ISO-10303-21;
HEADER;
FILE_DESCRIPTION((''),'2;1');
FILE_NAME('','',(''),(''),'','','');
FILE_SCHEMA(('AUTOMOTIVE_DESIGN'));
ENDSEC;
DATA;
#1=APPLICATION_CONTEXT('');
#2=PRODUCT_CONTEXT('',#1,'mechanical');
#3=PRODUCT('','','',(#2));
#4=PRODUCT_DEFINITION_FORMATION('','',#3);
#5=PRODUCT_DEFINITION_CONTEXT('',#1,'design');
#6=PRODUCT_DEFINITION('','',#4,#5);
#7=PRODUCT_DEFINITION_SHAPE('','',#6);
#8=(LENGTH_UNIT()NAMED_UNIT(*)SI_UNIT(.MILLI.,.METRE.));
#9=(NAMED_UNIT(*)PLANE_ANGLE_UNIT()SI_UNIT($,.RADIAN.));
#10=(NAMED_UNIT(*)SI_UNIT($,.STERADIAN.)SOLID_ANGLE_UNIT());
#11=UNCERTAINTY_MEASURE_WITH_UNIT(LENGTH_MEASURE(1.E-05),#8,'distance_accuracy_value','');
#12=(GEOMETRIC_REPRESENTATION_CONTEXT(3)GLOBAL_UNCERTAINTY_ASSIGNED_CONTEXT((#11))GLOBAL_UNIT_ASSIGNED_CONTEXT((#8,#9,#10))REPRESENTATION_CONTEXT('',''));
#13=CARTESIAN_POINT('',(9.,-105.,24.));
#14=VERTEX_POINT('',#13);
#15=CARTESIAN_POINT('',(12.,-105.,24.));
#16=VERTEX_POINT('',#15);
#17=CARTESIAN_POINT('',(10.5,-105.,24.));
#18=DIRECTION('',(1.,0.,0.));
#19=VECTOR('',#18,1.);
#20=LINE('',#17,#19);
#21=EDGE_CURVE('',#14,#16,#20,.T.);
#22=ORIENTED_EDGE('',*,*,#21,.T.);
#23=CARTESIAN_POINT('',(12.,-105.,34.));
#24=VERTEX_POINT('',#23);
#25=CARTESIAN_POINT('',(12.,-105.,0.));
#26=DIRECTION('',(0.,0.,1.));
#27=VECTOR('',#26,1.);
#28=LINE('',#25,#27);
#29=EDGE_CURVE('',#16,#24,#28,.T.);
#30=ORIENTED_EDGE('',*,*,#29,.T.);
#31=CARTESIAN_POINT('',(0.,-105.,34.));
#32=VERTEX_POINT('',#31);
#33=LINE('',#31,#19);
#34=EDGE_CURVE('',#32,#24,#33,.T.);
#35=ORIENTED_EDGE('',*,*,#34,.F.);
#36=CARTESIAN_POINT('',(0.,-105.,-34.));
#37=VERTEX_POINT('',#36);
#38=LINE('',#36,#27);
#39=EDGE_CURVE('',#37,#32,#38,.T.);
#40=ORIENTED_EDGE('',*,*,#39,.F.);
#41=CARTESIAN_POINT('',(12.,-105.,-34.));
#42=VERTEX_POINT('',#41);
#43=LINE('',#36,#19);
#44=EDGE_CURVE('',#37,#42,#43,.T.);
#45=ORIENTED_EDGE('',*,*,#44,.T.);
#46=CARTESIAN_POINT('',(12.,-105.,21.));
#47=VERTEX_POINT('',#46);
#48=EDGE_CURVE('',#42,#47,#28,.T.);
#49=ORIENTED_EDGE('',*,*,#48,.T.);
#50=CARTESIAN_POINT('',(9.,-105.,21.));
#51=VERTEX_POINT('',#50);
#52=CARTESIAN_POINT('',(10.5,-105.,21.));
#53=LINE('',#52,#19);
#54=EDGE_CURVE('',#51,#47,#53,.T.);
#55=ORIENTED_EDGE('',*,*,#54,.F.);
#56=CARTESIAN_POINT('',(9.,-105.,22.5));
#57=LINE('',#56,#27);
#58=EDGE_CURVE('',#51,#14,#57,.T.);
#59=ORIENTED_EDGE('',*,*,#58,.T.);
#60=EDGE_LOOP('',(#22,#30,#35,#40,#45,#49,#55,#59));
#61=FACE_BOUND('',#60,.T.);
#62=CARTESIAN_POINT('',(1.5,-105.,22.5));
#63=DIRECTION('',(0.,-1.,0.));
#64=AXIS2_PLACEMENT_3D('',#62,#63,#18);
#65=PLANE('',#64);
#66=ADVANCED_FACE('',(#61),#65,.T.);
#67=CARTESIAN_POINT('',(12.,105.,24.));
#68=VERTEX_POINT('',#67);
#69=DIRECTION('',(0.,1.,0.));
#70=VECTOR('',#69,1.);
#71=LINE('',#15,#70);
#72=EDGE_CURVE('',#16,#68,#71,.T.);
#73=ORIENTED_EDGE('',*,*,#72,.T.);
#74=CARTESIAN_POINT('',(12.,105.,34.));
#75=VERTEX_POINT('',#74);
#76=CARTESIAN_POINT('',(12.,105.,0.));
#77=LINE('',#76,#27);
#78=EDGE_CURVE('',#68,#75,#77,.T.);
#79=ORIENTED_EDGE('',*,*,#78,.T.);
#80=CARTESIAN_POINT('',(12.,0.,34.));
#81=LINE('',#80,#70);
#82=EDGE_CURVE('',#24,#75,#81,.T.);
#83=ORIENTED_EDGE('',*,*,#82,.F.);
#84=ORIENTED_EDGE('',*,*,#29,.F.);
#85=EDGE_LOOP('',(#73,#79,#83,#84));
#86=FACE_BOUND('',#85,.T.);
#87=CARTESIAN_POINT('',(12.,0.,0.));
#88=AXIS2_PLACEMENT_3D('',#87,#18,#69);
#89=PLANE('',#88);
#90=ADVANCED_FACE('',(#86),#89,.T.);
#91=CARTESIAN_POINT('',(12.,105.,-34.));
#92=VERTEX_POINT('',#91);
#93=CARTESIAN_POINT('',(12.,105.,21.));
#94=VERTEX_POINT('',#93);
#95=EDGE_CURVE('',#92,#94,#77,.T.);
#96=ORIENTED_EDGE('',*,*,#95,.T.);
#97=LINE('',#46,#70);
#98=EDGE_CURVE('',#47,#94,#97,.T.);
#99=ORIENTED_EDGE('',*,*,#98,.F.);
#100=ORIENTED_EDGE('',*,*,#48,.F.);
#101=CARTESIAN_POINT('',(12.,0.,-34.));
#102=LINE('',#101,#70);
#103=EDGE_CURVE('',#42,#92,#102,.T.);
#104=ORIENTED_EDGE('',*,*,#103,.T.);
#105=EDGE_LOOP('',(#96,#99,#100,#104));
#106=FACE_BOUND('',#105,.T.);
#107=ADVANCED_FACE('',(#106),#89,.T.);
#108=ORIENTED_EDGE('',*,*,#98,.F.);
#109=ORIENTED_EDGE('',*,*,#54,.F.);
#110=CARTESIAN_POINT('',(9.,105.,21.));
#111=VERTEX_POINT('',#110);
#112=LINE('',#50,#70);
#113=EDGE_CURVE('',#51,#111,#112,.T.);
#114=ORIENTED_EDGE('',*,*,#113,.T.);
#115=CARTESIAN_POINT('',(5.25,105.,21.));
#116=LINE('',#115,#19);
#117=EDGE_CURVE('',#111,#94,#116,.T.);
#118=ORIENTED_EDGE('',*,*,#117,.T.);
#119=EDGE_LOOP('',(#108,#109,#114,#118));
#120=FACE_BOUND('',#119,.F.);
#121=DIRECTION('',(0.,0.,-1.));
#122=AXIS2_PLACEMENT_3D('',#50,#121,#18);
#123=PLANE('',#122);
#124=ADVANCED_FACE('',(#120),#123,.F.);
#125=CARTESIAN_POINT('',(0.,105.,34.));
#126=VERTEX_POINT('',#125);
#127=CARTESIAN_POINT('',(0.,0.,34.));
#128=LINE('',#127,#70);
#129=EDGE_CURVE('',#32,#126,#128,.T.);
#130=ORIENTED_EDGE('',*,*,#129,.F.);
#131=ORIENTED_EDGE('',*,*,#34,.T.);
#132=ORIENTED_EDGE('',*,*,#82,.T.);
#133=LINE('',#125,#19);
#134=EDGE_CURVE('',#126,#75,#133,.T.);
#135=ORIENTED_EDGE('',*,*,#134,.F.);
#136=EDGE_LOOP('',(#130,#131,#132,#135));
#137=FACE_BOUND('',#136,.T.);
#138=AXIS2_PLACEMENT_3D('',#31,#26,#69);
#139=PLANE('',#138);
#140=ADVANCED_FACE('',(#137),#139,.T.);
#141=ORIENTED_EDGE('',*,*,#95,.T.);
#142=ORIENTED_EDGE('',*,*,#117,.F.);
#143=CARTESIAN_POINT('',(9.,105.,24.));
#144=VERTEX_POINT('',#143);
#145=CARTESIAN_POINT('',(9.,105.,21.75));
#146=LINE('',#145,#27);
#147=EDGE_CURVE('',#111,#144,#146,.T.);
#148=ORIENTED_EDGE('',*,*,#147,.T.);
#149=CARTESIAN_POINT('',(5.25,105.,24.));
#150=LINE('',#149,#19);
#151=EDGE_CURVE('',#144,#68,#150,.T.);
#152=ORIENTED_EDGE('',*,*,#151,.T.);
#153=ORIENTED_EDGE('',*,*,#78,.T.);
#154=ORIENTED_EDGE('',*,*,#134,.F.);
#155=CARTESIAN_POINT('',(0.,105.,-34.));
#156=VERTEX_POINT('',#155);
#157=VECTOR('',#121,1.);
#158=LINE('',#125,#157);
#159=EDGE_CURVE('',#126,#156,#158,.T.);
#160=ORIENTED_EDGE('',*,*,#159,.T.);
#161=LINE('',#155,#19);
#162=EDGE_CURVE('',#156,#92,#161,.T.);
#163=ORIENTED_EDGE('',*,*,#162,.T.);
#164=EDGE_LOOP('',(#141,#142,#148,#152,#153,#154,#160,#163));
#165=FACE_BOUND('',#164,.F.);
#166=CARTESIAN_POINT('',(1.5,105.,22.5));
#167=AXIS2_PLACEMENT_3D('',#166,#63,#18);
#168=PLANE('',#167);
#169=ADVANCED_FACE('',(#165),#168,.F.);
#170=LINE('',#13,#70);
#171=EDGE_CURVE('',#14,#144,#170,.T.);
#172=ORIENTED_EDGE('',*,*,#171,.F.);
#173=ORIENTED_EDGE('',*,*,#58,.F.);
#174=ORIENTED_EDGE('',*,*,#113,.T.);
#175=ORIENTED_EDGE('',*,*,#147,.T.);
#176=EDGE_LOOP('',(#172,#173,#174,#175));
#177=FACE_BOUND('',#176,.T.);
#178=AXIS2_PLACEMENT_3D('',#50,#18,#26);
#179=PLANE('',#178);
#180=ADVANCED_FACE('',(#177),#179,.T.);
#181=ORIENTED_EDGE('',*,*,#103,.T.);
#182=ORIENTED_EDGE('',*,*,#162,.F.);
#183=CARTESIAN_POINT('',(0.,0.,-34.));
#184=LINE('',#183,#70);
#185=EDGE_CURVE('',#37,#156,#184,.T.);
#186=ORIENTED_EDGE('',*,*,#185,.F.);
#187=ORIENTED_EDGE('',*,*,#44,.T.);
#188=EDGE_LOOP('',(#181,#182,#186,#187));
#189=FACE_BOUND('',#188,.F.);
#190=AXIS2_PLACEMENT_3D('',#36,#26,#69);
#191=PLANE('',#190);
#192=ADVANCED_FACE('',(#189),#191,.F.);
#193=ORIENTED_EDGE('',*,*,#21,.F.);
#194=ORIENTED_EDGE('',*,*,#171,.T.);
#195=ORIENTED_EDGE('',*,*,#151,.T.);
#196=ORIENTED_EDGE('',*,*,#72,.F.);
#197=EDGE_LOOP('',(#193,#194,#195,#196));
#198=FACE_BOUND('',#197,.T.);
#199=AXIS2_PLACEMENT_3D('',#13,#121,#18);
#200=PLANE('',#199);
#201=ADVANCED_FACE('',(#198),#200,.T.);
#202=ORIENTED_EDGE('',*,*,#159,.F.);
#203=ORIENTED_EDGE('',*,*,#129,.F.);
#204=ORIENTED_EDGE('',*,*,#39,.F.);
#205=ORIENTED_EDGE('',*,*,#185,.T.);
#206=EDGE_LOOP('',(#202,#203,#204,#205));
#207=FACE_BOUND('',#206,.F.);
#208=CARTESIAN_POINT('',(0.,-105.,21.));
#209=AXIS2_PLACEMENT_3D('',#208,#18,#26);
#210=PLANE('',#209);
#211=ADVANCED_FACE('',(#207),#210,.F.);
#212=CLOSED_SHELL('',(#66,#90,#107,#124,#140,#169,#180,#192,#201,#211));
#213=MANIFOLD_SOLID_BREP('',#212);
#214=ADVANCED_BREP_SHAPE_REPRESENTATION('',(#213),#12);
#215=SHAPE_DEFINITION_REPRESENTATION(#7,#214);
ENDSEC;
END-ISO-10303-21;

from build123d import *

# Parameters (mm, degrees)
F0_W     = 210
F0_H     = 68
F1_DEPTH = 12
F2_W     = 3
F2_H     = 3
F3_DEPTH = 222000
F4_W     = 3
F4_H     = 3
F5_DEPTH = 210
F6_W     = 3
F6_H     = 3
F7_DEPTH = 300


with BuildPart() as f1:
    # F0 (on Right) → F1 (new body)
    with BuildSketch(Plane.YZ):
        Rectangle(F0_W, F0_H)
    extrude(amount=F1_DEPTH)

    # F2 (on face) → F3 (cut)
    with BuildSketch(Plane.XZ.offset(105)):
        with Locations((1.5, 22.5)):
            Rectangle(F2_W, F2_H)
    extrude(amount=-F3_DEPTH, mode=Mode.SUBTRACT)

    # F4 (on face) → F5 (join)
    with BuildSketch(Plane.XZ.offset(105)):
        with Locations((1.5, 22.5)):
            Rectangle(F4_W, F4_H)
    extrude(amount=-F5_DEPTH)

    # F6 (on face) → F7 (cut)
    with BuildSketch(Plane.XZ.offset(105)):
        with Locations((10.5, 22.5)):
            Rectangle(F6_W, F6_H)
    extrude(amount=-F7_DEPTH, mode=Mode.SUBTRACT)


solid = f1.part
